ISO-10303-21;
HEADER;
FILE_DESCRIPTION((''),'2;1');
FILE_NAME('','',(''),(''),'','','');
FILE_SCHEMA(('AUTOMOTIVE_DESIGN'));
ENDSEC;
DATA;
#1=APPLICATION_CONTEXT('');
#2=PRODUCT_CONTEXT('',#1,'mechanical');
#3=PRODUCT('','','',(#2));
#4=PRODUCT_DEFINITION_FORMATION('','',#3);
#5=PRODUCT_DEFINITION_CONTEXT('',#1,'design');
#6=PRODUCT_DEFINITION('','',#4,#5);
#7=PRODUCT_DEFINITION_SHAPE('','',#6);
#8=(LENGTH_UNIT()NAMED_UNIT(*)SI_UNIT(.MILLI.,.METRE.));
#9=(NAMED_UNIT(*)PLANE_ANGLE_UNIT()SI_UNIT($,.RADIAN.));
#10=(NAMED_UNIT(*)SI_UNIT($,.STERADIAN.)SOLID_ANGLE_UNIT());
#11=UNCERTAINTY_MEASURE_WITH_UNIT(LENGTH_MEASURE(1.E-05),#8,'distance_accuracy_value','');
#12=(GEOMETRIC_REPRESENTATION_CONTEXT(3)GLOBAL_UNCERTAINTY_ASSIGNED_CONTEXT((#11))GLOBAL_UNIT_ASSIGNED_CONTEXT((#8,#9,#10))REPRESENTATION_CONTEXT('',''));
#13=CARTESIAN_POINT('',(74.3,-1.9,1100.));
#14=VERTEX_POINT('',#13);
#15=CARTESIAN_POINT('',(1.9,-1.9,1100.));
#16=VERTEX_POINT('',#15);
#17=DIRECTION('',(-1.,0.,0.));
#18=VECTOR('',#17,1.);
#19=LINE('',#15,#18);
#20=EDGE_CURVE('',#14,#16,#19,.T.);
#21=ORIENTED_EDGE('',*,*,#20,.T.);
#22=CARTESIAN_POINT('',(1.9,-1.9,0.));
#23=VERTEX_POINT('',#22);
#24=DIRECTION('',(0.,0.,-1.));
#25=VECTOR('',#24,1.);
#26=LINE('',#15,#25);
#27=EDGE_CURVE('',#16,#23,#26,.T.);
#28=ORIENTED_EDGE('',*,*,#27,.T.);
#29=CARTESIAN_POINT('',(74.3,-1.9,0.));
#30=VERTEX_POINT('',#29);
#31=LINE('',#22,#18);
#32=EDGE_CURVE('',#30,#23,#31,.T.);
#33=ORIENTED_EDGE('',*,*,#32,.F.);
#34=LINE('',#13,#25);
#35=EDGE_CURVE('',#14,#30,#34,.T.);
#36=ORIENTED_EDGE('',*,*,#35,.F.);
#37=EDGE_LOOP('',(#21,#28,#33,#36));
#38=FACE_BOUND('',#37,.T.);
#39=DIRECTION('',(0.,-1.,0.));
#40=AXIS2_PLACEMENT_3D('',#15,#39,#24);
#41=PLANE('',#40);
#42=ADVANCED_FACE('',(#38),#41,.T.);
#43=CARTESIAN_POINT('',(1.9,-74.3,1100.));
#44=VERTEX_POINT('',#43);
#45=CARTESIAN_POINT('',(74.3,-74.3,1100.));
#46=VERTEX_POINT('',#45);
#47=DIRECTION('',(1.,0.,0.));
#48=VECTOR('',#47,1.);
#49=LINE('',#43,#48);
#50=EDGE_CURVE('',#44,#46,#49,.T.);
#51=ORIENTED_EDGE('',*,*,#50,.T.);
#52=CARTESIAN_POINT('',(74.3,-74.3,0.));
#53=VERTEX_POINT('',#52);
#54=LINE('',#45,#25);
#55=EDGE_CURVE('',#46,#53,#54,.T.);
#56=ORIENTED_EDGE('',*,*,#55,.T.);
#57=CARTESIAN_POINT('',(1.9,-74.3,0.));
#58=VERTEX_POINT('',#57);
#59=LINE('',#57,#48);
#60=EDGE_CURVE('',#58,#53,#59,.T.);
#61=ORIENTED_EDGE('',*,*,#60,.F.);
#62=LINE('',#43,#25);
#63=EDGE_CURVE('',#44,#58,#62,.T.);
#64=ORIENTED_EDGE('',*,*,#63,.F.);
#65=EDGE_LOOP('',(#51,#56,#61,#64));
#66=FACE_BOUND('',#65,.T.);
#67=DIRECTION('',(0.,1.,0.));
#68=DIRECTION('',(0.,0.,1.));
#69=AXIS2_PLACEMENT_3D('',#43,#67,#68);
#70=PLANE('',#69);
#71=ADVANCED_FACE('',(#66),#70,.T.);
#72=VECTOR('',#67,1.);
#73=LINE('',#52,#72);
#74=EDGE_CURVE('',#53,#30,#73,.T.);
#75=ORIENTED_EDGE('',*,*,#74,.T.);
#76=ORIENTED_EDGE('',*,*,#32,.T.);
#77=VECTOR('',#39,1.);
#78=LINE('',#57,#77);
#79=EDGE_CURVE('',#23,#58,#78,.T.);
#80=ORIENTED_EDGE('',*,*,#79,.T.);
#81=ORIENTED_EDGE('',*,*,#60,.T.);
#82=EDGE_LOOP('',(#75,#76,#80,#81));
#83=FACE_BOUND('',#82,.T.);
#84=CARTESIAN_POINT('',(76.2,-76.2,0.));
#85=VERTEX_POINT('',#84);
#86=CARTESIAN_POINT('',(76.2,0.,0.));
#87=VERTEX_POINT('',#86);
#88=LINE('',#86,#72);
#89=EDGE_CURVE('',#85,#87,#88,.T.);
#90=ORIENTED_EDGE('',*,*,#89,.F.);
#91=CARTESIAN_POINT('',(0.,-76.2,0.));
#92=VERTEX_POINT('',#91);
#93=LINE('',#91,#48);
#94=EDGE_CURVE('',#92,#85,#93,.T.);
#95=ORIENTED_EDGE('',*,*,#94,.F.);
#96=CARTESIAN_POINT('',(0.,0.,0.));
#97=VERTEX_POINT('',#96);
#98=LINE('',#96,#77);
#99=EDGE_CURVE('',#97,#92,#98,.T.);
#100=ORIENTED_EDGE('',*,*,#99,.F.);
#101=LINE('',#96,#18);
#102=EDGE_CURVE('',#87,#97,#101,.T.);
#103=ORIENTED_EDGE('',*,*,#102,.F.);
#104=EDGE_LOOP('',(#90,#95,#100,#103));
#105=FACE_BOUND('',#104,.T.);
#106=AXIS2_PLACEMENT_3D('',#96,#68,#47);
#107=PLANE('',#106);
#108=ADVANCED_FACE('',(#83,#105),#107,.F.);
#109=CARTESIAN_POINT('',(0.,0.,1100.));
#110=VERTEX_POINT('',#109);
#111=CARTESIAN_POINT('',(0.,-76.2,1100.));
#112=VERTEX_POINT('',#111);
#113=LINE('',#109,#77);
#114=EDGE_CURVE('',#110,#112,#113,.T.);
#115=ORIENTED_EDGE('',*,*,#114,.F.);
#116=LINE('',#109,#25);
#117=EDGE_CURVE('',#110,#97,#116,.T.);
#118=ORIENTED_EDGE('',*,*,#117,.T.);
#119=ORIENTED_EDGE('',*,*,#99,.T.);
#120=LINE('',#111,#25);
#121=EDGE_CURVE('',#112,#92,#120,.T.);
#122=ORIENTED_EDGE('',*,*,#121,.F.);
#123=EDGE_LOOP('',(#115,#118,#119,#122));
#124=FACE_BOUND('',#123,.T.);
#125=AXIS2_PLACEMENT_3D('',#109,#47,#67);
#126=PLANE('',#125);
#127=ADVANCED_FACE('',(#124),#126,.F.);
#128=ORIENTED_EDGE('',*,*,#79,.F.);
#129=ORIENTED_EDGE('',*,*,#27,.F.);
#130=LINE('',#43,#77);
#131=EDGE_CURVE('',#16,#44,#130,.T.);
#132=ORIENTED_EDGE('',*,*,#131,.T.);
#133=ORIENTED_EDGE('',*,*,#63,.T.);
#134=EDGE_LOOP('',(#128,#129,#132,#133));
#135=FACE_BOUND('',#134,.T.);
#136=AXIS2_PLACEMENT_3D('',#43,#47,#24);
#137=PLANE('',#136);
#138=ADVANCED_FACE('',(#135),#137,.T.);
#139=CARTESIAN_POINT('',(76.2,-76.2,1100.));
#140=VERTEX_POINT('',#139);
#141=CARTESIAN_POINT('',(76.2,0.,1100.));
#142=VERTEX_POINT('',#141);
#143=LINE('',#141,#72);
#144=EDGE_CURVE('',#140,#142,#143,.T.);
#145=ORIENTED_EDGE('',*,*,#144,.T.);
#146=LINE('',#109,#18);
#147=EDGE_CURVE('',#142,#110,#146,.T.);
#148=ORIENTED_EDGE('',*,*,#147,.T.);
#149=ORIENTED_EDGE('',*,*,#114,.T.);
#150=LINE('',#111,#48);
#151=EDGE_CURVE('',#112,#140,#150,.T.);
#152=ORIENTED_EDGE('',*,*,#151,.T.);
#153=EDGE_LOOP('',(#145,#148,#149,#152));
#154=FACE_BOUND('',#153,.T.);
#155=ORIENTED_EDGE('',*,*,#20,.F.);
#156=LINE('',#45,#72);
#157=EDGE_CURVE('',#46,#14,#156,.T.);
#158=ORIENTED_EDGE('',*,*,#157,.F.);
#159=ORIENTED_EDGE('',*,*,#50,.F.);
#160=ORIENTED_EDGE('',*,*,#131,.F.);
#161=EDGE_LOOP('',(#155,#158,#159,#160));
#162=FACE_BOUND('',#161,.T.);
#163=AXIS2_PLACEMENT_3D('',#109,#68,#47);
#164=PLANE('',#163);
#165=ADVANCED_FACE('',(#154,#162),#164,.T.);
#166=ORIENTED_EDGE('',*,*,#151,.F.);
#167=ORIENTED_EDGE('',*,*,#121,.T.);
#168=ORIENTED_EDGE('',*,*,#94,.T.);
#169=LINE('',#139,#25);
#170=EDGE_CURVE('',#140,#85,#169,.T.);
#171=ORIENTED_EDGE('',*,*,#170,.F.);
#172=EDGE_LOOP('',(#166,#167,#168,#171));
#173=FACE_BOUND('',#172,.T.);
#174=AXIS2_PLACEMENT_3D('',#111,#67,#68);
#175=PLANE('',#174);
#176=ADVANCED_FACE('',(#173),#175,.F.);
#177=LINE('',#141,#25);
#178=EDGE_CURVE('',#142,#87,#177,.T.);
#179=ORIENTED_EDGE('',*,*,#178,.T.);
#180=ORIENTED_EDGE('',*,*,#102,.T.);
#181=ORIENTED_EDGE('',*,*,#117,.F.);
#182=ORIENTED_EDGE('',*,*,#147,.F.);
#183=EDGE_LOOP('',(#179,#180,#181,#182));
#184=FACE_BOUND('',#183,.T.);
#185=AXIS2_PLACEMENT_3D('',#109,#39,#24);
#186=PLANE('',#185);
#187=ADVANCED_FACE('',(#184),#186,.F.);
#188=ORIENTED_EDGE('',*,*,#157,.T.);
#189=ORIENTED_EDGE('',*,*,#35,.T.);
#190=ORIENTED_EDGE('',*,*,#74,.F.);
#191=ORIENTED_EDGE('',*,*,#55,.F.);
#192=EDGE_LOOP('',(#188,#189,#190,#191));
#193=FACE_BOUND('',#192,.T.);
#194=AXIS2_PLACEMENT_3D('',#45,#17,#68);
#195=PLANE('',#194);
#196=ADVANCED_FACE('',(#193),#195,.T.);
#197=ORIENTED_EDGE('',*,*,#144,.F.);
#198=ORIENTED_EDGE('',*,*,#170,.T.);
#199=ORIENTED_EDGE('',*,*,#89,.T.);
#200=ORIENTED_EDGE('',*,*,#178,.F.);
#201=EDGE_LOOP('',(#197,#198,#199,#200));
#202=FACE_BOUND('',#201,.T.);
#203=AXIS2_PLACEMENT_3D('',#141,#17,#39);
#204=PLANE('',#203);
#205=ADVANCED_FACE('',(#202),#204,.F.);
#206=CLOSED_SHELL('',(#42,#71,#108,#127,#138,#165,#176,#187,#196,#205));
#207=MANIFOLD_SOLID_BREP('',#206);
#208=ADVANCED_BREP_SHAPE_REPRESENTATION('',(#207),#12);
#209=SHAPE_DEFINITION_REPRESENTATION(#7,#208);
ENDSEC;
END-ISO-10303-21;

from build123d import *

# Parameters (mm, degrees)
CROQUIS1_W              = 76.2
CROQUIS1_H              = 76.2
CROQUIS1_W_2            = 72.4
CROQUIS1_H_2            = 72.4
SALIENTE_EXTRUIR1_DEPTH = 1100


with BuildPart() as part:
    # Croquis1 → Saliente-Extruir1 (new body)
    with BuildSketch(Plane.XY):
        with Locations((38.1, -38.1)):
            Rectangle(CROQUIS1_W, CROQUIS1_H)
        with Locations((38.1, -38.1)):
            Rectangle(CROQUIS1_W_2, CROQUIS1_H_2, mode=Mode.SUBTRACT)
    extrude(amount=SALIENTE_EXTRUIR1_DEPTH)


solid = part.part
